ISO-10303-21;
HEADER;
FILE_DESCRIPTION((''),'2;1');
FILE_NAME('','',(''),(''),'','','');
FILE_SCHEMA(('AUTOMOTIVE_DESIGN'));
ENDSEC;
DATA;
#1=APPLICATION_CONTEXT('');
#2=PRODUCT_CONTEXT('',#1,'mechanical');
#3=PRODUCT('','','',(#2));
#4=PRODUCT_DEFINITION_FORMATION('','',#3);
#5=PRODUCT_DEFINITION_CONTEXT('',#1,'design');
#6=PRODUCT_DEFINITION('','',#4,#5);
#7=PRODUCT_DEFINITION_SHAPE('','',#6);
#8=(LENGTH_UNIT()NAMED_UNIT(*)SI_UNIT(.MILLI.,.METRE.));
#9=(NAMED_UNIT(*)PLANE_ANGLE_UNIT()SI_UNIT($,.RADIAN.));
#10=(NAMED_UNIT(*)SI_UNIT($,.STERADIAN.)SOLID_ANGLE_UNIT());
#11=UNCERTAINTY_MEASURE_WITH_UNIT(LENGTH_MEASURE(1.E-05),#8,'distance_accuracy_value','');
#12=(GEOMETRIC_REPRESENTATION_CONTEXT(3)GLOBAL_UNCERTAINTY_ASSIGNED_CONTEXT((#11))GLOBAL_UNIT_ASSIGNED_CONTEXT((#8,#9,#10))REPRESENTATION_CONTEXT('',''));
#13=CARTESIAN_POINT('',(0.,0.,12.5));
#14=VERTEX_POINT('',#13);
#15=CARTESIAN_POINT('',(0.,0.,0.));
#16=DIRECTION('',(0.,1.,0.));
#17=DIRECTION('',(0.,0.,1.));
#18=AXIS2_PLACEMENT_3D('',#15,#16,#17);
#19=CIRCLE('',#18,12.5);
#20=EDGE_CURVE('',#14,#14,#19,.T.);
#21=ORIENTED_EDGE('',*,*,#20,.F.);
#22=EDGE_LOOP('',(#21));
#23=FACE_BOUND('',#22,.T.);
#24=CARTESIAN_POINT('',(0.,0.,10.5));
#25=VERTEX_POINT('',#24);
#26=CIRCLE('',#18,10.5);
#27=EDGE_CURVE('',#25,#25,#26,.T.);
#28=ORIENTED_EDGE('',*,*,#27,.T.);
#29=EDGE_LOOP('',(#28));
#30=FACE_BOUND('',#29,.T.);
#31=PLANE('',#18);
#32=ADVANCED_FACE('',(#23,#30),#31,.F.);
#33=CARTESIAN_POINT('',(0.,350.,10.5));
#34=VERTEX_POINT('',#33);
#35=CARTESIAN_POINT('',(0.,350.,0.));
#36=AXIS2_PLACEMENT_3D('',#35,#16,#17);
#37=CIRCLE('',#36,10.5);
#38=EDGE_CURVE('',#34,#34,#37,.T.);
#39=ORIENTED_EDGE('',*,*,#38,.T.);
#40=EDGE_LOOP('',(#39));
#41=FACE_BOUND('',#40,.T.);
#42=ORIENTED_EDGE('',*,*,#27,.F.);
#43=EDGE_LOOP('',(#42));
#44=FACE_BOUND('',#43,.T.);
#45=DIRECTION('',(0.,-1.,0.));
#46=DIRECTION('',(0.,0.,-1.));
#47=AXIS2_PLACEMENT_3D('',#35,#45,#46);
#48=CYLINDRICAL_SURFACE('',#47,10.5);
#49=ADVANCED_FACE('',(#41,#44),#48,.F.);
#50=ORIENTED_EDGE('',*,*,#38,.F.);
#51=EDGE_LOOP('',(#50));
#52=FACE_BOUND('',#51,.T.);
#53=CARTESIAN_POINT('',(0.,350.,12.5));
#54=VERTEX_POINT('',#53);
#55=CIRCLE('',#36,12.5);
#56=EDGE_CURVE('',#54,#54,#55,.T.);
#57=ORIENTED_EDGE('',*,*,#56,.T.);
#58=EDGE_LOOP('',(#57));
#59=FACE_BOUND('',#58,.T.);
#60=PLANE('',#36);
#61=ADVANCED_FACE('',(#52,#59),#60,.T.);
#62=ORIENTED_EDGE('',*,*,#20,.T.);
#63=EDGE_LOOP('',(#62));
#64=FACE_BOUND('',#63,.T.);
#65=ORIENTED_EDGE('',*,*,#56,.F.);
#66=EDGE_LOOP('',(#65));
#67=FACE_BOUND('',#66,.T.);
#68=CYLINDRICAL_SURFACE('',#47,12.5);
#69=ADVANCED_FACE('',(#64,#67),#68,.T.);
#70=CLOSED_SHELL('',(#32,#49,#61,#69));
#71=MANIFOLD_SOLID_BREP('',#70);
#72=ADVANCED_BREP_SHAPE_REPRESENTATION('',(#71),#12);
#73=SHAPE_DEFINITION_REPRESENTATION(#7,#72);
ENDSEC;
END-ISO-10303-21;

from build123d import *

# Parameters (mm, degrees)
SKETCH1_R           = 12.5
SKETCH1_R_2         = 10.5
BOSS_EXTRUDE1_DEPTH = 350


with BuildPart() as part:
    # Sketch1 → Boss-Extrude1 (new body)
    with BuildSketch(Plane(origin=(0, 0, 0), x_dir=(1, 0, 0), z_dir=(0, 1, 0))):
        with Locations(Location((0, 0, 0), (0, 0, 270))):
            Circle(SKETCH1_R)
        with Locations(Location((0, 0, 0), (0, 0, 270))):
            Circle(SKETCH1_R_2, mode=Mode.SUBTRACT)
    extrude(amount=BOSS_EXTRUDE1_DEPTH)


solid = part.part
